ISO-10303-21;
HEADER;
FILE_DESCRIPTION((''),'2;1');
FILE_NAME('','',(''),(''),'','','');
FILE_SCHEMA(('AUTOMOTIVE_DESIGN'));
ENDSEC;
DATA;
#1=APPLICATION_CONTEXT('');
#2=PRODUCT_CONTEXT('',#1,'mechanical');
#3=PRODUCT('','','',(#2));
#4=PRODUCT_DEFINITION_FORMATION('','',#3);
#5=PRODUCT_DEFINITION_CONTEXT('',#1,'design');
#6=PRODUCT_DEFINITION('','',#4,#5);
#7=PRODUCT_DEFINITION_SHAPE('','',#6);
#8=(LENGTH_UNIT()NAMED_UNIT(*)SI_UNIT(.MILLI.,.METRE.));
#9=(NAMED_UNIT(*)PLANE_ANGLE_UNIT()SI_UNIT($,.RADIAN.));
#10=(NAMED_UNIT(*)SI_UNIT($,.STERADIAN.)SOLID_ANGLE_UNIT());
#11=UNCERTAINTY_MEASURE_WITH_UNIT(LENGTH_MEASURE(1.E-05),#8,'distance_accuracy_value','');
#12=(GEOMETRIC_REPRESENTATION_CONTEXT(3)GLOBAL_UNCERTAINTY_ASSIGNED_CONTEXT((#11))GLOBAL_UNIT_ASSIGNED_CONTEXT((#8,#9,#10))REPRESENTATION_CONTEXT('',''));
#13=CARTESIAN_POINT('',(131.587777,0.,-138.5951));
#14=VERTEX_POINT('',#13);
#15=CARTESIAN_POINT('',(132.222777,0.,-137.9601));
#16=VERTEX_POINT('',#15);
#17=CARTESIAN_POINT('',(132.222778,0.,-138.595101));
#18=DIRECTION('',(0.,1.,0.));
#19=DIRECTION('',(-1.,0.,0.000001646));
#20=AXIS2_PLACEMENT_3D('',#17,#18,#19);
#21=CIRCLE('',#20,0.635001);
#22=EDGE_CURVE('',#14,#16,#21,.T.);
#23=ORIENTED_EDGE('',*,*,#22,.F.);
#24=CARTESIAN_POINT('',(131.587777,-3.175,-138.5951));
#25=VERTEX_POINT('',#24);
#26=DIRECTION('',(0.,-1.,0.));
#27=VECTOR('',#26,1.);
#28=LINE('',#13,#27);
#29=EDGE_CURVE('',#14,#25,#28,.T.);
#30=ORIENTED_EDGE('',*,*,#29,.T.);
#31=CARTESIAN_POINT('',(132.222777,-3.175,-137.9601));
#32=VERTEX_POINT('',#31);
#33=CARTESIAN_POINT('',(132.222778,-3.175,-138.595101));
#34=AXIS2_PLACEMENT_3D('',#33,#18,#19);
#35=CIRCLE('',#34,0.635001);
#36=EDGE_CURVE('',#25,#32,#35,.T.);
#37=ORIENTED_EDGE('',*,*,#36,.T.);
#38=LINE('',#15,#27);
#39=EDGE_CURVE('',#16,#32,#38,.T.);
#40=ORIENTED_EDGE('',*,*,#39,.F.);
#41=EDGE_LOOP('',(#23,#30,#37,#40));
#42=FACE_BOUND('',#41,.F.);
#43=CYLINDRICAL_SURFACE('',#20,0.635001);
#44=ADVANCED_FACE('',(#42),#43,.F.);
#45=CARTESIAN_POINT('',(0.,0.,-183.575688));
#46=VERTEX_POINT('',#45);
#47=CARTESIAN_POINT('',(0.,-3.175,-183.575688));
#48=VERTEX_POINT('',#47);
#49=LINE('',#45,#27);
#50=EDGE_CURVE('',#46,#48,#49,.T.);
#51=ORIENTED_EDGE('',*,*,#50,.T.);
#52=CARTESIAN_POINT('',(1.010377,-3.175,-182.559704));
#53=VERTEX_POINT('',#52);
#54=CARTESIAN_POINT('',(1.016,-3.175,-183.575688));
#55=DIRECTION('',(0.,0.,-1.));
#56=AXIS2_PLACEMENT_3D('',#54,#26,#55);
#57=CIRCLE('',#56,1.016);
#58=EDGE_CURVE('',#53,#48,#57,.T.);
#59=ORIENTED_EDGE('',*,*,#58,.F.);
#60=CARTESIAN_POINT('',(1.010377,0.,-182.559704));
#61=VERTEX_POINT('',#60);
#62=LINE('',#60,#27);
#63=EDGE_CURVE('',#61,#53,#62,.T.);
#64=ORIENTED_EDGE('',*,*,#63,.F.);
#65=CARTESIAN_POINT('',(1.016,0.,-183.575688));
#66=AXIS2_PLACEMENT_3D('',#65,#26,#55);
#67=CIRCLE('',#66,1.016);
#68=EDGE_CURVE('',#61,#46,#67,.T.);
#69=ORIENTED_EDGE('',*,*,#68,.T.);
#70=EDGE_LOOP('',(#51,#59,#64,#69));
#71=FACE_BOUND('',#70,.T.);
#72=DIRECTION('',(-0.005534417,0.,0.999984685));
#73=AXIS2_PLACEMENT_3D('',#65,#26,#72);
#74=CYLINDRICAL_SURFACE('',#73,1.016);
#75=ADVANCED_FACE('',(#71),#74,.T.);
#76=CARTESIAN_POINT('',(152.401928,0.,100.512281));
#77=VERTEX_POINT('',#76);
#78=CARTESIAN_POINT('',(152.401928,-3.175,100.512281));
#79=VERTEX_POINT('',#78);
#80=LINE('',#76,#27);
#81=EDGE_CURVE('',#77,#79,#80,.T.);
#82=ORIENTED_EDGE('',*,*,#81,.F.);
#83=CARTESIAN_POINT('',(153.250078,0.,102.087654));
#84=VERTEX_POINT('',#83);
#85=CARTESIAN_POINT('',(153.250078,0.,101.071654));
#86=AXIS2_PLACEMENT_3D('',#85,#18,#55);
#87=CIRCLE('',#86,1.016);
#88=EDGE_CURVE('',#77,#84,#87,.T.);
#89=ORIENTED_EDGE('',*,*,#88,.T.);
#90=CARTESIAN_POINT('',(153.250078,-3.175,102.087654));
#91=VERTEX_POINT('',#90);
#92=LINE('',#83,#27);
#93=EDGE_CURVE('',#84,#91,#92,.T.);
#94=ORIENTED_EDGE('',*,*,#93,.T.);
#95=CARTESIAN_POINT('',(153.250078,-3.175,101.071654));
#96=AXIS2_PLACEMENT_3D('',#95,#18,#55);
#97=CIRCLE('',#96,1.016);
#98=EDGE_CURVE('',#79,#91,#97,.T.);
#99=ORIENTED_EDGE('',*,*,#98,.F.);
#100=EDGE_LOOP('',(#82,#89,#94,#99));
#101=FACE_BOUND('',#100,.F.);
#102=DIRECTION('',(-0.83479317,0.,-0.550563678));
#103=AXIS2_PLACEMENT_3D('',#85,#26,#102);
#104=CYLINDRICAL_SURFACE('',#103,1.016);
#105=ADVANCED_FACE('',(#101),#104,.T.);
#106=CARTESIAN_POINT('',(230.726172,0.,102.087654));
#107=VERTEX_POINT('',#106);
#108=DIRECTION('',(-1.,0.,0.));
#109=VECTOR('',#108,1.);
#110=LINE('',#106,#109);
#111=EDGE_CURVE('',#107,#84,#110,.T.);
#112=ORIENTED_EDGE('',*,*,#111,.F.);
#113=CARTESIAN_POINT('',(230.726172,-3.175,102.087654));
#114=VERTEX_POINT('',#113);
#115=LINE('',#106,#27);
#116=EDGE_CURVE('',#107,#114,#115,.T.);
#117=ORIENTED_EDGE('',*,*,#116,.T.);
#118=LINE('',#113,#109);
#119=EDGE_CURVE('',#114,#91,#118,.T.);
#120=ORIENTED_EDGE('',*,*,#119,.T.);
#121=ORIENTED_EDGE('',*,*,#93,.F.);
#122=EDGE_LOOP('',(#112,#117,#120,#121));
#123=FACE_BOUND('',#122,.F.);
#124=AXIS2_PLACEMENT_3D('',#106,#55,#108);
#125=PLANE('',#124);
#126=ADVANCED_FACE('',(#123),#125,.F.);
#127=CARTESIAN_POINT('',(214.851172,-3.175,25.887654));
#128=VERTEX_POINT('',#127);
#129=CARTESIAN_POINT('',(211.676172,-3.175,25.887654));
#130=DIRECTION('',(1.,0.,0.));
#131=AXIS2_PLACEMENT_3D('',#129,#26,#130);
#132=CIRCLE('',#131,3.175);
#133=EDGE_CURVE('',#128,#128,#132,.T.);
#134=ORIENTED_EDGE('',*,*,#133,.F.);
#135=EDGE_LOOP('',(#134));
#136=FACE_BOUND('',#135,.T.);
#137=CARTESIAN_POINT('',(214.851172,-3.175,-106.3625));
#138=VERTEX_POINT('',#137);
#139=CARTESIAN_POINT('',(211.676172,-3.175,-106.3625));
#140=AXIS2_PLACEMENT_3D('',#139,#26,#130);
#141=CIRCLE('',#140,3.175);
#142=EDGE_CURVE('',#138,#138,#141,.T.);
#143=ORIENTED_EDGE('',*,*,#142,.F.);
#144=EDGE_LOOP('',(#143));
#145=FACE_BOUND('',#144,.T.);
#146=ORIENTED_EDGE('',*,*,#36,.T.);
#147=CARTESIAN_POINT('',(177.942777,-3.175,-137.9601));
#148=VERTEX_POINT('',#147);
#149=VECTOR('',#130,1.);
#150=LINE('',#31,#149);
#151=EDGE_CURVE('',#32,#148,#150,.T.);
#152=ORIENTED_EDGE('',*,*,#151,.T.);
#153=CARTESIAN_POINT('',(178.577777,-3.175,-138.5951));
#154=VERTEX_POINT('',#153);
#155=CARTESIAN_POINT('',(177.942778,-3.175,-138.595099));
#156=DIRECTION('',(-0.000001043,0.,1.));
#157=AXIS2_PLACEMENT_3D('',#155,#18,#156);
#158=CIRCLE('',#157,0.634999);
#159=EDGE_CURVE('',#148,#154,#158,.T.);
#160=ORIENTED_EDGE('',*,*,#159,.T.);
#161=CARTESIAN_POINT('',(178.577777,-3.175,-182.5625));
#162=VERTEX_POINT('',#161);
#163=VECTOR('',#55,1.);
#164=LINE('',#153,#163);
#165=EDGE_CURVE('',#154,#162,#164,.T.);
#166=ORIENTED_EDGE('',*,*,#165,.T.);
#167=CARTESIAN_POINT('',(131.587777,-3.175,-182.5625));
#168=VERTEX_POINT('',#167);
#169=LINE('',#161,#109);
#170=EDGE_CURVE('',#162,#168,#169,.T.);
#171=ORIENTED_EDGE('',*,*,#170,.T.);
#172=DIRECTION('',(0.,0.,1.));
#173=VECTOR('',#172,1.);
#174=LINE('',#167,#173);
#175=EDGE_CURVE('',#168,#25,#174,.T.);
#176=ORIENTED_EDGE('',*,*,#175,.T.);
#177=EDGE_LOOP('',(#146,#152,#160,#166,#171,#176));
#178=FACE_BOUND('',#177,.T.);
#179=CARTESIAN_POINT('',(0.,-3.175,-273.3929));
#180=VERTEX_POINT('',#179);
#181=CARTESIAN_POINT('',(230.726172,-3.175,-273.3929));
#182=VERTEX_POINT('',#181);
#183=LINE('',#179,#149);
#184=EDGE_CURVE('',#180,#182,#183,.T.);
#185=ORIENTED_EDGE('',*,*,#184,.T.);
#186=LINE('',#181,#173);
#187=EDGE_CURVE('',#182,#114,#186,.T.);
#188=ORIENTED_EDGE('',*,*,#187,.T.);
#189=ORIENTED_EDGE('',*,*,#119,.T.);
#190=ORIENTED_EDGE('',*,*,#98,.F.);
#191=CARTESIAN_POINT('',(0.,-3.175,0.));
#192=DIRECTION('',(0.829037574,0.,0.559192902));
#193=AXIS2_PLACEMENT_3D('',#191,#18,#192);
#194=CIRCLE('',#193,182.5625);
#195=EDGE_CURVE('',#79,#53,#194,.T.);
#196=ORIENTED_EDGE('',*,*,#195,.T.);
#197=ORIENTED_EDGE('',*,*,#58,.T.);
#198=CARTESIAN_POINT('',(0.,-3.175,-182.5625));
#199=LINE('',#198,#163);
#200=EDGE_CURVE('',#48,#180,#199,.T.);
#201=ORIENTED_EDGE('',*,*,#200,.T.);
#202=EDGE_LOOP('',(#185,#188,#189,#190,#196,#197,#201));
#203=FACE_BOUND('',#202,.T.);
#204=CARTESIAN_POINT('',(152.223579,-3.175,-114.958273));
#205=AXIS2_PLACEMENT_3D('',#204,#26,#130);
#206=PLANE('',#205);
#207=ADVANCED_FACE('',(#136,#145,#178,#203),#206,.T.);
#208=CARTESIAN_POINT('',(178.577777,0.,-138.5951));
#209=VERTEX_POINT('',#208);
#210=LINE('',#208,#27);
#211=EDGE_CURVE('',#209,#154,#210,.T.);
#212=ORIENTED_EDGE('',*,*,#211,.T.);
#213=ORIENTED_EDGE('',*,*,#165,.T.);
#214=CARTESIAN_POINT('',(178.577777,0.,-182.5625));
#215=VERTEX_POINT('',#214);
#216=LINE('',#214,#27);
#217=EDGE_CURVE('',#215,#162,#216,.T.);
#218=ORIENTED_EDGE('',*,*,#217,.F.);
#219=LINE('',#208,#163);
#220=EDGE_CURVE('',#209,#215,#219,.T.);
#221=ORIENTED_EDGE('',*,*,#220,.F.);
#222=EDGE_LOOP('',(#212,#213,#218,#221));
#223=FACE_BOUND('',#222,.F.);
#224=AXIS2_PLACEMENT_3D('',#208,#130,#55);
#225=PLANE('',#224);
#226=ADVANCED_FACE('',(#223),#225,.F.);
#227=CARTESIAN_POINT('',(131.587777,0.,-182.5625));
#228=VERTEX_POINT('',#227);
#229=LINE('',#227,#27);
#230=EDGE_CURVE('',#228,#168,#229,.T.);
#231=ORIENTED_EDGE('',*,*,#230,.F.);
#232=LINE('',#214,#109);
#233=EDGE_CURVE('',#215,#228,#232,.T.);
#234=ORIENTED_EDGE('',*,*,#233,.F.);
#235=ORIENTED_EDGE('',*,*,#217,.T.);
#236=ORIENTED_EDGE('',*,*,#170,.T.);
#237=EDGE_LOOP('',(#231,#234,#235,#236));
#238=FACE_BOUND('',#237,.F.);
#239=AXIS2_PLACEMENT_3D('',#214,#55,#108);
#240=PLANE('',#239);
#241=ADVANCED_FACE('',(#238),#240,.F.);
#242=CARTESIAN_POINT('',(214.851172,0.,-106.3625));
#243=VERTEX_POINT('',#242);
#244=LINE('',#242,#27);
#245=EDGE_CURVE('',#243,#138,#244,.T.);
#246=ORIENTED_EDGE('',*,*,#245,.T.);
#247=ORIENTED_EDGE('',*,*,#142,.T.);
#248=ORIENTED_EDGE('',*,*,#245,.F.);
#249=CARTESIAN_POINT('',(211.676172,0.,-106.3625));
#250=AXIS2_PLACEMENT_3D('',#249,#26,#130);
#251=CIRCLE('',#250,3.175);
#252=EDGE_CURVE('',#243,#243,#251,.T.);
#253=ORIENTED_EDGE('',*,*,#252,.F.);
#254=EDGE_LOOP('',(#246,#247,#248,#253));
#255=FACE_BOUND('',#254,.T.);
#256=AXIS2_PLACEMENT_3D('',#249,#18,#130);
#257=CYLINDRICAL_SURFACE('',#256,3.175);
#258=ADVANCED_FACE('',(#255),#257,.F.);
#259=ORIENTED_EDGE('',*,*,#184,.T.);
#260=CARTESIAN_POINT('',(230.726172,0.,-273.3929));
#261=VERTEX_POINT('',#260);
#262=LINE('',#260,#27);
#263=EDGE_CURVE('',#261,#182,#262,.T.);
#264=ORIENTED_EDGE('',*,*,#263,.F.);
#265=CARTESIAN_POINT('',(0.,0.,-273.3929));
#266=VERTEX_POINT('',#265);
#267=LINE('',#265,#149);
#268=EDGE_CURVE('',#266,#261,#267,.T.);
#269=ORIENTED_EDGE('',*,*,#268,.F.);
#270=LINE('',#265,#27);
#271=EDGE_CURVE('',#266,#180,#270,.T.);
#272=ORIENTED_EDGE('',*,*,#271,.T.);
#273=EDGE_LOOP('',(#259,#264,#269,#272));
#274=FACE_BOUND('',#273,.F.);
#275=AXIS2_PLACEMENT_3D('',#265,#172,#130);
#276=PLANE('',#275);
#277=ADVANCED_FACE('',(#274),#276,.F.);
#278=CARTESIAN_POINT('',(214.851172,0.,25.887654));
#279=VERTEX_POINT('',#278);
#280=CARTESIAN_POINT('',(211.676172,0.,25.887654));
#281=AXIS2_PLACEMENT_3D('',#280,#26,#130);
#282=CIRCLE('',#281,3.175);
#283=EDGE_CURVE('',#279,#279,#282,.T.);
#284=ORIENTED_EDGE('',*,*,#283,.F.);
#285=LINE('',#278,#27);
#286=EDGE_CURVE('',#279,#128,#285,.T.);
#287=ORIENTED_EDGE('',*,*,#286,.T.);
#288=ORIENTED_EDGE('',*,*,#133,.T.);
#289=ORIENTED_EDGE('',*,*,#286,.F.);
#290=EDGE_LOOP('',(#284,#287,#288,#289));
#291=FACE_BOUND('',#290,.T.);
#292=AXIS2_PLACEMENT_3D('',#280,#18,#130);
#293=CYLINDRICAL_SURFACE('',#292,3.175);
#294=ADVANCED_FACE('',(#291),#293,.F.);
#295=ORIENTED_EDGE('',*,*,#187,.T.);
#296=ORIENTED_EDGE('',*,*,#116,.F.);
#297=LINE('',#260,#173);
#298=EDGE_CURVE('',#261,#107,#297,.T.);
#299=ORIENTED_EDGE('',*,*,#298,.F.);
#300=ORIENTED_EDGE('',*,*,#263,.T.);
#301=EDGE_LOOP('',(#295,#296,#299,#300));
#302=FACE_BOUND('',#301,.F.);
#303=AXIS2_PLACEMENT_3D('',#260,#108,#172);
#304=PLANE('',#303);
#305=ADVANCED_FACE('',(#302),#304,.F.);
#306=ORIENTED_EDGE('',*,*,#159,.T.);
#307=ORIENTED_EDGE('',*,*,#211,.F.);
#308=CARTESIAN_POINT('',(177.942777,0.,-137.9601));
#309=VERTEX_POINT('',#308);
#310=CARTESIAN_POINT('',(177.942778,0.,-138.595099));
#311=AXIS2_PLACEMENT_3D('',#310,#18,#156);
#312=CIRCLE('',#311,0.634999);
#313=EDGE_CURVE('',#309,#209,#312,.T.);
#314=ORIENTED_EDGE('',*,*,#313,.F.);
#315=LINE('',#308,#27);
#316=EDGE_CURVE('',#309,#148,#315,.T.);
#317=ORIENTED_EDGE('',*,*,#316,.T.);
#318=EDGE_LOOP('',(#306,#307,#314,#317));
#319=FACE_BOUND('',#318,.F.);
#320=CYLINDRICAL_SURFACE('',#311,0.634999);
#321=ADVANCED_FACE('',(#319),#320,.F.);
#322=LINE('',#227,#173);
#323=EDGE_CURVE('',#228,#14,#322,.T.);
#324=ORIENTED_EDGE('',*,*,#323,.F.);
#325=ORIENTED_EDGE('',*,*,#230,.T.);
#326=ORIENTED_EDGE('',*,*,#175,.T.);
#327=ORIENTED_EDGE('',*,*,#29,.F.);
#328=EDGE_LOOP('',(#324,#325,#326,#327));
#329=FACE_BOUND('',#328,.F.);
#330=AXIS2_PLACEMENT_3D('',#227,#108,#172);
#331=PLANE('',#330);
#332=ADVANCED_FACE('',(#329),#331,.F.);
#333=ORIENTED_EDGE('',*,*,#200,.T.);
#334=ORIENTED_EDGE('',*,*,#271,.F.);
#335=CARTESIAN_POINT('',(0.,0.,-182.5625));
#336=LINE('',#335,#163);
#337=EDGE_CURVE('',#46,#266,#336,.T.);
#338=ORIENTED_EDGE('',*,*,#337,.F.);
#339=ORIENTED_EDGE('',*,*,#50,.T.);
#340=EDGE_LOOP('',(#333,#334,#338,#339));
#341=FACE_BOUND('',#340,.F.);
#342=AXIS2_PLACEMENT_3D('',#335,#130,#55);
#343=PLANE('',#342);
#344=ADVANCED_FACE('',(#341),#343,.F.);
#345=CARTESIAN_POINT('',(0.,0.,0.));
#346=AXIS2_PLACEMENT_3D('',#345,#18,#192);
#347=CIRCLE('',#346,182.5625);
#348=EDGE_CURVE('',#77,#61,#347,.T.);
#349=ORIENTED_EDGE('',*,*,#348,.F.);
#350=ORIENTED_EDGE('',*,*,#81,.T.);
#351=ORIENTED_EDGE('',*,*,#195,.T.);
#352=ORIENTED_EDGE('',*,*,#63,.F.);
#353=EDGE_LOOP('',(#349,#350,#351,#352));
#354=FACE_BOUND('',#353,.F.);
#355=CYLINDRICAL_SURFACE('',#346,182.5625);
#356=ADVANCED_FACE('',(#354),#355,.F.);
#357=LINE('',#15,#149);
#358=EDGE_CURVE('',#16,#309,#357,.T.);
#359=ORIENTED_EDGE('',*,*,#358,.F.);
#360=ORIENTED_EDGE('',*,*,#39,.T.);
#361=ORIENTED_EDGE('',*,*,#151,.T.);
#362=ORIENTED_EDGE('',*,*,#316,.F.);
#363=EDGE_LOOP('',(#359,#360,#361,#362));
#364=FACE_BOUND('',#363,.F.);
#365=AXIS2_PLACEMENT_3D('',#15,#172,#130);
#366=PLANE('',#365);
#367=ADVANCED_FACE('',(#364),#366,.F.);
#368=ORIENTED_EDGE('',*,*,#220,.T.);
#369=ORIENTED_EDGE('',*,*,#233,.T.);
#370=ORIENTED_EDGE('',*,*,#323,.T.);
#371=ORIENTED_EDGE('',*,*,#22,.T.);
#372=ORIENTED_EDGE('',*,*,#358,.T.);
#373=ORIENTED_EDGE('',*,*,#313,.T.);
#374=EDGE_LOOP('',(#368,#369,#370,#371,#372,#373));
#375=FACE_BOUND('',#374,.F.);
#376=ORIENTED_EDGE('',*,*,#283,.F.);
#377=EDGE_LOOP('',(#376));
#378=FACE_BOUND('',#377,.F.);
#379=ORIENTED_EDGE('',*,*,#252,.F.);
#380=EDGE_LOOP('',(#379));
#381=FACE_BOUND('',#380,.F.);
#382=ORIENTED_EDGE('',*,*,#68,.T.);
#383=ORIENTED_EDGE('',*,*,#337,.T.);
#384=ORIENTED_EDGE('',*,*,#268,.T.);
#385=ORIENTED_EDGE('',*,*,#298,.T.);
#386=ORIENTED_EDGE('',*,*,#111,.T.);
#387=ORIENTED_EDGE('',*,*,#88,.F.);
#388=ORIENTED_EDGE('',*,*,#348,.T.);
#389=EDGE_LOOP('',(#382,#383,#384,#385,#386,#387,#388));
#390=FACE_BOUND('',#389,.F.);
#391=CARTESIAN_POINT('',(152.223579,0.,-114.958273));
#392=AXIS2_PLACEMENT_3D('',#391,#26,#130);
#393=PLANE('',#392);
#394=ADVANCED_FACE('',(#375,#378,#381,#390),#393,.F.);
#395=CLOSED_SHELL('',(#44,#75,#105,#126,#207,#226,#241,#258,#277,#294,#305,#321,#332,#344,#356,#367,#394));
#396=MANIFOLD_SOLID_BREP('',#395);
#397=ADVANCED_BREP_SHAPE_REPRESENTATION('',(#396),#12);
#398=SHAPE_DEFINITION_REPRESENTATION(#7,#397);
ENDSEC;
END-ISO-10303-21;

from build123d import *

# Parameters (mm, degrees)
F0_R     = 3.175
F1_DEPTH = 3.175
F3_R     = 1.016


with BuildPart() as f1:
    # F0 (on Front) → F1 (new body)
    with BuildSketch(Plane.XZ):
        with BuildLine():
            ThreePointArc((151.351172, 102.087654), (161.19312, -85.707902), (0, -182.5625))
            Line((0, -182.5625), (0, -273.3929))
            Line((0, -273.3929), (230.726172, -273.3929))
            Line((230.726172, -273.3929), (230.726172, -182.5625))
            Line((230.726172, -182.5625), (230.726172, 102.087654))
            Line((230.726172, 102.087654), (151.351172, 102.087654))
        make_face()
        with BuildLine():
            ThreePointArc((131.587777, -138.5951), (131.773765, -138.146087), (132.222777, -137.9601))
            Line((132.222777, -137.9601), (177.942777, -137.9601))
            ThreePointArc((177.942777, -137.9601), (178.39179, -138.146087), (178.577777, -138.5951))
            Line((178.577777, -138.5951), (178.577777, -182.5625))
            Line((178.577777, -182.5625), (131.587777, -182.5625))
            Line((131.587777, -182.5625), (131.587777, -138.5951))
        make_face(mode=Mode.SUBTRACT)
        with Locations((211.676172, -106.3625)):
            Circle(F0_R, mode=Mode.SUBTRACT)
        with Locations((211.676172, 25.887654)):
            Circle(F0_R, mode=Mode.SUBTRACT)
    extrude(amount=F1_DEPTH)

    # F3
    f3_edges = [f1.edges().sort_by_distance(p)[0] for p in [
        (151.351172, -1.5875, 102.087654),
        (0, -1.5875, -182.5625),
    ]]
    fillet(f3_edges, radius=F3_R)


solid = f1.part
